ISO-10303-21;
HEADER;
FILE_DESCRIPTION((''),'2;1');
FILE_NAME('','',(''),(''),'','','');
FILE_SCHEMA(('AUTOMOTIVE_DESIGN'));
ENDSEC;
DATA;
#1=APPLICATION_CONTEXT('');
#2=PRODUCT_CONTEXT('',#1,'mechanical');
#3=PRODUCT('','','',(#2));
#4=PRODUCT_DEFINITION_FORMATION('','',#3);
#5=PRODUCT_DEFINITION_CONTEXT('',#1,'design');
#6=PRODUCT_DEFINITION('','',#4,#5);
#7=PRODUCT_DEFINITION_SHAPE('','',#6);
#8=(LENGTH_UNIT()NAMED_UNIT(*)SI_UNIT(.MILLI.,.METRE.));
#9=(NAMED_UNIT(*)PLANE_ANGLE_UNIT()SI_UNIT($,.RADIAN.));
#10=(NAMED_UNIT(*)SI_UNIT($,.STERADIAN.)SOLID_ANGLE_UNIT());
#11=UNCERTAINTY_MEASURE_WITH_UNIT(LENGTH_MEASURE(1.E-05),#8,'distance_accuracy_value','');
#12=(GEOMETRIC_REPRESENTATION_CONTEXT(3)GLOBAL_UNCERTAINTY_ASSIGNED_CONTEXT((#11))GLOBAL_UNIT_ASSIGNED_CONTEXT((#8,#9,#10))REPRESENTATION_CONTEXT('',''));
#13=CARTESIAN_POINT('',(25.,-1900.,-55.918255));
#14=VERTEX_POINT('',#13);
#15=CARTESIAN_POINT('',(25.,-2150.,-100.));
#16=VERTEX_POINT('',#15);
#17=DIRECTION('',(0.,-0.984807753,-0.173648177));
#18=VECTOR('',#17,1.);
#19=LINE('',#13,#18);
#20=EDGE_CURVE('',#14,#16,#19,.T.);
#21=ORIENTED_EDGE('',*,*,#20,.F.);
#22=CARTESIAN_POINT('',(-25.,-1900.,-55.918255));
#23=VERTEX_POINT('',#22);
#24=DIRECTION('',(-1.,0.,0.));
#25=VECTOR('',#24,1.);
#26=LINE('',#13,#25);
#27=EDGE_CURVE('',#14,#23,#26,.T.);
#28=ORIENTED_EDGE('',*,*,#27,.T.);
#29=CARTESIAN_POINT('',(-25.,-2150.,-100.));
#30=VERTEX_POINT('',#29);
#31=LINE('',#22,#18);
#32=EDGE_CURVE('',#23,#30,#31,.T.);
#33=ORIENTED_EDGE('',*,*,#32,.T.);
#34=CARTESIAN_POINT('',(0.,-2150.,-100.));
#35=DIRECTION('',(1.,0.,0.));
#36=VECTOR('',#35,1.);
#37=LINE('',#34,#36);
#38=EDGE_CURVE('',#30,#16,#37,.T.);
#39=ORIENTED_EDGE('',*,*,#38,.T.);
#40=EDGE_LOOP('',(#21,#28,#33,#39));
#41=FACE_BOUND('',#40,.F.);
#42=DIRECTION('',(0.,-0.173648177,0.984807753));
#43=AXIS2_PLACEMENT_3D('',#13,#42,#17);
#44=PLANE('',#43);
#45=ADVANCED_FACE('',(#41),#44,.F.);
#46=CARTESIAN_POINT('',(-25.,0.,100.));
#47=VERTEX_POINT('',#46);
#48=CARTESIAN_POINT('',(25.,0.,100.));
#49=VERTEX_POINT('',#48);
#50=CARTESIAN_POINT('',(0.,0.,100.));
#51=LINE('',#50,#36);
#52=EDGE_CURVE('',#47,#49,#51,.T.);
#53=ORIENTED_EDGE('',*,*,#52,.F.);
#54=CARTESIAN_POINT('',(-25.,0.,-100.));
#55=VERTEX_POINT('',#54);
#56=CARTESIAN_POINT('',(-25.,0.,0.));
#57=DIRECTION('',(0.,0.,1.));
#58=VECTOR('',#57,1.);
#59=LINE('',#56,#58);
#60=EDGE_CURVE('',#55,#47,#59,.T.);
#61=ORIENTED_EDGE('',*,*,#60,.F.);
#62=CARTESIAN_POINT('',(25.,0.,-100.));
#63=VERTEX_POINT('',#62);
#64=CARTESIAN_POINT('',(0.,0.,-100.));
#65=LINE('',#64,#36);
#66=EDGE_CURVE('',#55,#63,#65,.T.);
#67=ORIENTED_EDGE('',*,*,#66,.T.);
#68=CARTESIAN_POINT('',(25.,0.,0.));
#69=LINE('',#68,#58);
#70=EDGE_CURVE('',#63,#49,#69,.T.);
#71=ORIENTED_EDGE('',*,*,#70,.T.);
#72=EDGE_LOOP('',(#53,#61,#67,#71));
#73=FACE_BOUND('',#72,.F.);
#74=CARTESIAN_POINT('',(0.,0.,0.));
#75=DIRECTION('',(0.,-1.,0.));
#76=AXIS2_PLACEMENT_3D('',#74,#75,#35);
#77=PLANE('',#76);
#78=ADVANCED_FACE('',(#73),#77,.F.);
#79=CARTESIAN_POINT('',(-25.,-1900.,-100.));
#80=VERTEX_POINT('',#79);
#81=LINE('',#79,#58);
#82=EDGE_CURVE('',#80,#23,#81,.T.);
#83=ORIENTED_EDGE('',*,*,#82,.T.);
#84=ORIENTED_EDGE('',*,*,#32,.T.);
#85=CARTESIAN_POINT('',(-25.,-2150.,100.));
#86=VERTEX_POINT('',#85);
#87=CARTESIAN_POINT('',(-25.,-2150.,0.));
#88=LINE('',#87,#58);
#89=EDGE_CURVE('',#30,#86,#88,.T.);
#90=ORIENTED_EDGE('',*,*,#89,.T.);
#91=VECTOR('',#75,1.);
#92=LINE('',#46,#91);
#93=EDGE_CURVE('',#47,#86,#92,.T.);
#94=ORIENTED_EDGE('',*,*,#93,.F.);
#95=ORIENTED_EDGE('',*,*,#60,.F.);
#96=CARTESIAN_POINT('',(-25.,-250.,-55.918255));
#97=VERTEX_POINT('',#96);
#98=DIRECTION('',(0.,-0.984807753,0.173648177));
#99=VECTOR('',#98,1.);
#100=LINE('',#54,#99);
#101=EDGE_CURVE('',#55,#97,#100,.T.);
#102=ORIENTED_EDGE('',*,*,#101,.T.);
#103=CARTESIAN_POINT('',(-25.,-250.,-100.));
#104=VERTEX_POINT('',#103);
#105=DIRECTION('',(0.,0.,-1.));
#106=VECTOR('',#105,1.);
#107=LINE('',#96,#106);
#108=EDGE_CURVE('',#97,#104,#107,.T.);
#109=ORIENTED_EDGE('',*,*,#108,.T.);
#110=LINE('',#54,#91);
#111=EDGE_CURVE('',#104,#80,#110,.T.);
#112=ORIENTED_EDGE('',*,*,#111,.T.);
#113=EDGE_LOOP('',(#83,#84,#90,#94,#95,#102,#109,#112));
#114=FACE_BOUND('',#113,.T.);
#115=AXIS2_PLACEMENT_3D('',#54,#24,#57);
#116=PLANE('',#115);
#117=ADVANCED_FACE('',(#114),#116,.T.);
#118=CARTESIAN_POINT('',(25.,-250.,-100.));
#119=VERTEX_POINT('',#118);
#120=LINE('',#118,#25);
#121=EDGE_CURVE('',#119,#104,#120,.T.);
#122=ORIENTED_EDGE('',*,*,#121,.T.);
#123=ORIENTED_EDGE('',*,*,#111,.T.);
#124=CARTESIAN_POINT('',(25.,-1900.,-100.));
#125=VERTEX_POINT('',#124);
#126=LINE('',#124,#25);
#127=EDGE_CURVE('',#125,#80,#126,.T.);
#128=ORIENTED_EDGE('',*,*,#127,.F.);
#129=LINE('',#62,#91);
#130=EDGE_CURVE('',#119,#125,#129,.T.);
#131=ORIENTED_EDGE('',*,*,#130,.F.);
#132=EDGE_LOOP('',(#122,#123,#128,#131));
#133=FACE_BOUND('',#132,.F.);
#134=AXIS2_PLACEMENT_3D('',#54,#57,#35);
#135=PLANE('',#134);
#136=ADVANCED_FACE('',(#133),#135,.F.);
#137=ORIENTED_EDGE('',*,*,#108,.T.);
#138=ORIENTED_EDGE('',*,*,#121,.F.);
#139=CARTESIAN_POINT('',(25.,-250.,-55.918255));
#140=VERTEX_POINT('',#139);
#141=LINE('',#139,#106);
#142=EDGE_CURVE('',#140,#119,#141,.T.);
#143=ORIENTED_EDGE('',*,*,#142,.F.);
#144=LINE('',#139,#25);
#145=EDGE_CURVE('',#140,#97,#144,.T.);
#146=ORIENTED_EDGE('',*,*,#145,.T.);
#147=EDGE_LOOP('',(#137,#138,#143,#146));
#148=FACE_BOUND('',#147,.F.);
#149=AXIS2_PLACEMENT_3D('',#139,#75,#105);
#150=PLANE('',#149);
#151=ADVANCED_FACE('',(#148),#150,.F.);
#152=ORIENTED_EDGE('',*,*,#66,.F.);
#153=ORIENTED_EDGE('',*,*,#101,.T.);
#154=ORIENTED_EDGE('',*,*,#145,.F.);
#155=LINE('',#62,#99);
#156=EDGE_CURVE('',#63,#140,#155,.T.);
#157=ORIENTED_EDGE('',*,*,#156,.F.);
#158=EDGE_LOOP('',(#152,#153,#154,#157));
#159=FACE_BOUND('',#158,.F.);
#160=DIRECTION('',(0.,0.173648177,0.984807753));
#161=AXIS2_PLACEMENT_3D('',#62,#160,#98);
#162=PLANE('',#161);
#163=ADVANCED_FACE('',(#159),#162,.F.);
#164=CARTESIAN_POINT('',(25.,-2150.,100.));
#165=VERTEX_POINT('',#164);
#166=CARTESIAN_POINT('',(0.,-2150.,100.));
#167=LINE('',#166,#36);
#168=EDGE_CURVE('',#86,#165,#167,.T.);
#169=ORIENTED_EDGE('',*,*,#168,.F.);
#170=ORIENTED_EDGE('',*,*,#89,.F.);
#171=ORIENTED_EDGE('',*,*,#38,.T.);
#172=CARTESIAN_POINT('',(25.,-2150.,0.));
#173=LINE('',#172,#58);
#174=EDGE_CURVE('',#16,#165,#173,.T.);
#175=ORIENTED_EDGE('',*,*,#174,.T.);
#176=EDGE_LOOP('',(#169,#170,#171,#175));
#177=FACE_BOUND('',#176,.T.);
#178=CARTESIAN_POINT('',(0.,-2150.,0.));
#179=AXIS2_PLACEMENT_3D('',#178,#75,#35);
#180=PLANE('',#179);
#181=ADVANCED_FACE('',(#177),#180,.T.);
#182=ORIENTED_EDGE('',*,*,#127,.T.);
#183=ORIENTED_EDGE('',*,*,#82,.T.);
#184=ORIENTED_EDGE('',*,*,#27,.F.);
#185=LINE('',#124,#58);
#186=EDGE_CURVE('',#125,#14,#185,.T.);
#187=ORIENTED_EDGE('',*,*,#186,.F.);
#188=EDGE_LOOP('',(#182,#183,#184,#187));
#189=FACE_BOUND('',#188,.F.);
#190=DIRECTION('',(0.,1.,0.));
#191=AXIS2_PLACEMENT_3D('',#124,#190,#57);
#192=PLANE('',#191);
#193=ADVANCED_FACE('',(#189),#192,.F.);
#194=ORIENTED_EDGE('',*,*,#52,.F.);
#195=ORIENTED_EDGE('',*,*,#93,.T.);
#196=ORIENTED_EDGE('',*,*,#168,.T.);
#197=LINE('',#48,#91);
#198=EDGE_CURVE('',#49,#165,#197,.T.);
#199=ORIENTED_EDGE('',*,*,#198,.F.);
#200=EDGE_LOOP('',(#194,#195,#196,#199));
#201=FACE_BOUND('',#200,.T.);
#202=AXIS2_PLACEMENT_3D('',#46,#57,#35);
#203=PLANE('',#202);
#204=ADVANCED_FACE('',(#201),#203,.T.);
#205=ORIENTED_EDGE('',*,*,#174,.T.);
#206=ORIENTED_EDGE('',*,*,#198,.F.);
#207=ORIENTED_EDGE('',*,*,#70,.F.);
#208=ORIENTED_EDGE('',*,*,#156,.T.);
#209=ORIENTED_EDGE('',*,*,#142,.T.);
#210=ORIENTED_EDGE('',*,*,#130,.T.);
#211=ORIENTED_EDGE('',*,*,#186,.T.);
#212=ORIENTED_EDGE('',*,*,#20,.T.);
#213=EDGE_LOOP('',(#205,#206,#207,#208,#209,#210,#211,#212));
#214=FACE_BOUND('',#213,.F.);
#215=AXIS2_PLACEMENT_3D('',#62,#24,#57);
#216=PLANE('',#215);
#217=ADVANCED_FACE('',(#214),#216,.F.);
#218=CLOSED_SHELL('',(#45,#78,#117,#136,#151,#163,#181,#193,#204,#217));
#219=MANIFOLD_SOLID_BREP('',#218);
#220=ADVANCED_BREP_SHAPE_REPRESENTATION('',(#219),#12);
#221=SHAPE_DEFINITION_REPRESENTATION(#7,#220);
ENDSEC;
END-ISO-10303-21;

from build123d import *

# Parameters (mm, degrees)
F0_W     = 50
F0_H     = 200
F1_DEPTH = 2150
F4_DEPTH = 50
F6_DEPTH = 50


with BuildPart() as f1:
    # F0 (on Front) → F1 (new body)
    with BuildSketch(Plane.XZ):
        Rectangle(F0_W, F0_H)
    extrude(amount=F1_DEPTH)

    # F3 (on face) → F4 (cut)
    with BuildSketch(Plane.YZ.offset(25)):
        Polygon((-1900, -100), (-1900, -55.918255), (-2150, -100), align=None)
    extrude(amount=-F4_DEPTH, mode=Mode.SUBTRACT)

    # F5 (on face) → F6 (cut)
    with BuildSketch(Plane.YZ.offset(25)):
        Polygon((-250, -55.918255), (-250, -100), (0, -100), align=None)
    extrude(amount=-F6_DEPTH, mode=Mode.SUBTRACT)


solid = f1.part
